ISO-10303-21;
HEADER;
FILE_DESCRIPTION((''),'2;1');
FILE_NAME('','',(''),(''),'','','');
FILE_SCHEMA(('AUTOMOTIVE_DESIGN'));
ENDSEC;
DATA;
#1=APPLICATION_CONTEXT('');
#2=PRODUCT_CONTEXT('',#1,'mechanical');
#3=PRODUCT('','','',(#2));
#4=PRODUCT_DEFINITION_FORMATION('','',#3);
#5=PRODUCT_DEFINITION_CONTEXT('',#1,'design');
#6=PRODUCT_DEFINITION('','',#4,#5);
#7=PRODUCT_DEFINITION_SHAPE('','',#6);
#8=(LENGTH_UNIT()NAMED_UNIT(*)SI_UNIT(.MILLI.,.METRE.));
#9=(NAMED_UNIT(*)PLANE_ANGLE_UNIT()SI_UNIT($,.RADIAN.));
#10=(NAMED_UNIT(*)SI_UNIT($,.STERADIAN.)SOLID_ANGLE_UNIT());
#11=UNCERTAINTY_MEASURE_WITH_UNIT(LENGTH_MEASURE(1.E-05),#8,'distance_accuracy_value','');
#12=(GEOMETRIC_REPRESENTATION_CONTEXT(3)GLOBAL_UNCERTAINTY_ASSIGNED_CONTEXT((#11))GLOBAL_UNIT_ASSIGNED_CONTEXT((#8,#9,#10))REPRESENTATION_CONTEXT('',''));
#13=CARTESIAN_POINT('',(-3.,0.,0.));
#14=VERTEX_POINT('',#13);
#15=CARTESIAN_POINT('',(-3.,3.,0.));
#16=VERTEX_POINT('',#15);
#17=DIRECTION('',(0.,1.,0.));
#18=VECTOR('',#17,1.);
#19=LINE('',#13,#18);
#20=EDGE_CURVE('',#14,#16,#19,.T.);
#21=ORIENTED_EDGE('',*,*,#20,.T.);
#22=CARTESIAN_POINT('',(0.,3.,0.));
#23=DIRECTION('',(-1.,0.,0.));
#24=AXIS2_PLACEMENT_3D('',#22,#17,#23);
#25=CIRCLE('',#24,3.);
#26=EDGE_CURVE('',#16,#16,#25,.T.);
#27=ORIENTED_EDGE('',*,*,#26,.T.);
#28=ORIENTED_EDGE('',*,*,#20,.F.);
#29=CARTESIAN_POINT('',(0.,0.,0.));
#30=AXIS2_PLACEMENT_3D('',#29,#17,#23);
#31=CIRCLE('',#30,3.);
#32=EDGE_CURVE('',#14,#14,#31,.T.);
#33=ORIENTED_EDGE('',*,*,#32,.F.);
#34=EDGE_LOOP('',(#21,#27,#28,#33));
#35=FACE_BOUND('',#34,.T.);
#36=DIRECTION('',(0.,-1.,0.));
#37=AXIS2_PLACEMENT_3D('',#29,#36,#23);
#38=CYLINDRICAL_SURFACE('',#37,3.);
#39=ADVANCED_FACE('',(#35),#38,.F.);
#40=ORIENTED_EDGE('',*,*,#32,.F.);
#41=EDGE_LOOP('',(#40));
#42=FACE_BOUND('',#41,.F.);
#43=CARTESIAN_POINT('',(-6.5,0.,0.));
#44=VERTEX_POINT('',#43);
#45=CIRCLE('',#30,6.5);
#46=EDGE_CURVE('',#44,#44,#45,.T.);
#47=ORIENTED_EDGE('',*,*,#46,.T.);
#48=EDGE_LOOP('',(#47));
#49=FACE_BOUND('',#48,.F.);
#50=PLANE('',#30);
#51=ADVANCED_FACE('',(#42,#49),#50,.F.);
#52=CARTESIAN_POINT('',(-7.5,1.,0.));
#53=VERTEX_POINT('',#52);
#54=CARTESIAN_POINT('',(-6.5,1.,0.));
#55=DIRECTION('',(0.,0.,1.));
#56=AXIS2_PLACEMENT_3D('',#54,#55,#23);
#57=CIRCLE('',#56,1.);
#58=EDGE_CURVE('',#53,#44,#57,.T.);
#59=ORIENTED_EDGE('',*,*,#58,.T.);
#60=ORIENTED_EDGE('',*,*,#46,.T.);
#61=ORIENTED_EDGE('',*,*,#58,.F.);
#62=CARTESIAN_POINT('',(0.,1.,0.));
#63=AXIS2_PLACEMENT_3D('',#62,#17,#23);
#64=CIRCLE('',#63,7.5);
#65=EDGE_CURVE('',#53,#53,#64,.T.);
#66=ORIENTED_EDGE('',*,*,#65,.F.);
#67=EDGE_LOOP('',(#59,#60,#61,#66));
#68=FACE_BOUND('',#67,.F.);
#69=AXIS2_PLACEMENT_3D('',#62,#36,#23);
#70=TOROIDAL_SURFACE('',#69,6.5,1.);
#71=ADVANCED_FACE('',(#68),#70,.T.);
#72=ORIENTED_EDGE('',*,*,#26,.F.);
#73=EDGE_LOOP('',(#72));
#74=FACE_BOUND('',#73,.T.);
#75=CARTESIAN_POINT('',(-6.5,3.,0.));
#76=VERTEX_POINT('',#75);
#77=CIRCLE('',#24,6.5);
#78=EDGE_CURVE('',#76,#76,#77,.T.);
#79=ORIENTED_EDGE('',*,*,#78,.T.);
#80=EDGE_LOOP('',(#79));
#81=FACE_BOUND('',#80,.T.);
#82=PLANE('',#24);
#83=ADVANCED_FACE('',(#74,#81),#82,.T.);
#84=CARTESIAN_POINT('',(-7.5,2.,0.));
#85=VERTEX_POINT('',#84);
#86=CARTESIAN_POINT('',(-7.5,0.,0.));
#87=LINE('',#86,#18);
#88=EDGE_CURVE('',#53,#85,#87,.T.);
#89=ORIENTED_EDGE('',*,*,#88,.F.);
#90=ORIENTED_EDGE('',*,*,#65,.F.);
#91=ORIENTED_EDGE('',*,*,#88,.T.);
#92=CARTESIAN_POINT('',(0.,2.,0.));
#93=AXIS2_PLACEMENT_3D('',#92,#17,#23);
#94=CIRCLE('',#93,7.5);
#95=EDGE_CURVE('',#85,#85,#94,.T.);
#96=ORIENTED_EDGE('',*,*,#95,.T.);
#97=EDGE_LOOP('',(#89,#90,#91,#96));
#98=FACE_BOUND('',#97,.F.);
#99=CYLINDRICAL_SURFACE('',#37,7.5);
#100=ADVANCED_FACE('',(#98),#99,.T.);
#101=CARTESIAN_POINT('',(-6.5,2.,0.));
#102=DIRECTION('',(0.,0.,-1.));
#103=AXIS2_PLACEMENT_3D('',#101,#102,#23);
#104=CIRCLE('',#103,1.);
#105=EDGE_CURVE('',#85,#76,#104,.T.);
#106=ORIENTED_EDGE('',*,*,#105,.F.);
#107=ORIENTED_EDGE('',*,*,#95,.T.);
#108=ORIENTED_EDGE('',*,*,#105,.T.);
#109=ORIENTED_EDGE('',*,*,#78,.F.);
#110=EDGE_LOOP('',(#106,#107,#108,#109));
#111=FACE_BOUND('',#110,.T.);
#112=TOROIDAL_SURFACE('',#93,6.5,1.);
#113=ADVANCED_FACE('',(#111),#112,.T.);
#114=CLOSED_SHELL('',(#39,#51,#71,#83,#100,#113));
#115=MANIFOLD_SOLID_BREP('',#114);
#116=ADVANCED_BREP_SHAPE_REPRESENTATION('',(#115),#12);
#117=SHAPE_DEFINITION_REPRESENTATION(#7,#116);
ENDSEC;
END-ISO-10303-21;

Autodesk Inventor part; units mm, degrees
ref_plane "YZ Plane" through (0, 0, 0) normal (1, 0, 0) x (0, 1, 0)
ref_plane "XZ Plane" through (0, 0, 0) normal (0, 1, 0) x (-1, 0, 0)
ref_plane "XY Plane" through (0, 0, 0) normal (0, 0, 1) x (1, 0, 0)
sketch "Sketch1" plane through (0, 0, 0) normal (0, 1, 0) x (-1, 0, 0)
  circle A0 centre (0, 0) radius 3
  circle A1 centre (0, 0) radius 7.5
  dimension "d0" = 6
  dimension "d1" = 15
extrude "Extrusion1" add sketch "Sketch1" along normal blind 3
fillet "Fillet1" radius 1 2 edges at (7.5, 3, 0) (7.5, 0, 0)
properties part number "Bearing_Spacer"
